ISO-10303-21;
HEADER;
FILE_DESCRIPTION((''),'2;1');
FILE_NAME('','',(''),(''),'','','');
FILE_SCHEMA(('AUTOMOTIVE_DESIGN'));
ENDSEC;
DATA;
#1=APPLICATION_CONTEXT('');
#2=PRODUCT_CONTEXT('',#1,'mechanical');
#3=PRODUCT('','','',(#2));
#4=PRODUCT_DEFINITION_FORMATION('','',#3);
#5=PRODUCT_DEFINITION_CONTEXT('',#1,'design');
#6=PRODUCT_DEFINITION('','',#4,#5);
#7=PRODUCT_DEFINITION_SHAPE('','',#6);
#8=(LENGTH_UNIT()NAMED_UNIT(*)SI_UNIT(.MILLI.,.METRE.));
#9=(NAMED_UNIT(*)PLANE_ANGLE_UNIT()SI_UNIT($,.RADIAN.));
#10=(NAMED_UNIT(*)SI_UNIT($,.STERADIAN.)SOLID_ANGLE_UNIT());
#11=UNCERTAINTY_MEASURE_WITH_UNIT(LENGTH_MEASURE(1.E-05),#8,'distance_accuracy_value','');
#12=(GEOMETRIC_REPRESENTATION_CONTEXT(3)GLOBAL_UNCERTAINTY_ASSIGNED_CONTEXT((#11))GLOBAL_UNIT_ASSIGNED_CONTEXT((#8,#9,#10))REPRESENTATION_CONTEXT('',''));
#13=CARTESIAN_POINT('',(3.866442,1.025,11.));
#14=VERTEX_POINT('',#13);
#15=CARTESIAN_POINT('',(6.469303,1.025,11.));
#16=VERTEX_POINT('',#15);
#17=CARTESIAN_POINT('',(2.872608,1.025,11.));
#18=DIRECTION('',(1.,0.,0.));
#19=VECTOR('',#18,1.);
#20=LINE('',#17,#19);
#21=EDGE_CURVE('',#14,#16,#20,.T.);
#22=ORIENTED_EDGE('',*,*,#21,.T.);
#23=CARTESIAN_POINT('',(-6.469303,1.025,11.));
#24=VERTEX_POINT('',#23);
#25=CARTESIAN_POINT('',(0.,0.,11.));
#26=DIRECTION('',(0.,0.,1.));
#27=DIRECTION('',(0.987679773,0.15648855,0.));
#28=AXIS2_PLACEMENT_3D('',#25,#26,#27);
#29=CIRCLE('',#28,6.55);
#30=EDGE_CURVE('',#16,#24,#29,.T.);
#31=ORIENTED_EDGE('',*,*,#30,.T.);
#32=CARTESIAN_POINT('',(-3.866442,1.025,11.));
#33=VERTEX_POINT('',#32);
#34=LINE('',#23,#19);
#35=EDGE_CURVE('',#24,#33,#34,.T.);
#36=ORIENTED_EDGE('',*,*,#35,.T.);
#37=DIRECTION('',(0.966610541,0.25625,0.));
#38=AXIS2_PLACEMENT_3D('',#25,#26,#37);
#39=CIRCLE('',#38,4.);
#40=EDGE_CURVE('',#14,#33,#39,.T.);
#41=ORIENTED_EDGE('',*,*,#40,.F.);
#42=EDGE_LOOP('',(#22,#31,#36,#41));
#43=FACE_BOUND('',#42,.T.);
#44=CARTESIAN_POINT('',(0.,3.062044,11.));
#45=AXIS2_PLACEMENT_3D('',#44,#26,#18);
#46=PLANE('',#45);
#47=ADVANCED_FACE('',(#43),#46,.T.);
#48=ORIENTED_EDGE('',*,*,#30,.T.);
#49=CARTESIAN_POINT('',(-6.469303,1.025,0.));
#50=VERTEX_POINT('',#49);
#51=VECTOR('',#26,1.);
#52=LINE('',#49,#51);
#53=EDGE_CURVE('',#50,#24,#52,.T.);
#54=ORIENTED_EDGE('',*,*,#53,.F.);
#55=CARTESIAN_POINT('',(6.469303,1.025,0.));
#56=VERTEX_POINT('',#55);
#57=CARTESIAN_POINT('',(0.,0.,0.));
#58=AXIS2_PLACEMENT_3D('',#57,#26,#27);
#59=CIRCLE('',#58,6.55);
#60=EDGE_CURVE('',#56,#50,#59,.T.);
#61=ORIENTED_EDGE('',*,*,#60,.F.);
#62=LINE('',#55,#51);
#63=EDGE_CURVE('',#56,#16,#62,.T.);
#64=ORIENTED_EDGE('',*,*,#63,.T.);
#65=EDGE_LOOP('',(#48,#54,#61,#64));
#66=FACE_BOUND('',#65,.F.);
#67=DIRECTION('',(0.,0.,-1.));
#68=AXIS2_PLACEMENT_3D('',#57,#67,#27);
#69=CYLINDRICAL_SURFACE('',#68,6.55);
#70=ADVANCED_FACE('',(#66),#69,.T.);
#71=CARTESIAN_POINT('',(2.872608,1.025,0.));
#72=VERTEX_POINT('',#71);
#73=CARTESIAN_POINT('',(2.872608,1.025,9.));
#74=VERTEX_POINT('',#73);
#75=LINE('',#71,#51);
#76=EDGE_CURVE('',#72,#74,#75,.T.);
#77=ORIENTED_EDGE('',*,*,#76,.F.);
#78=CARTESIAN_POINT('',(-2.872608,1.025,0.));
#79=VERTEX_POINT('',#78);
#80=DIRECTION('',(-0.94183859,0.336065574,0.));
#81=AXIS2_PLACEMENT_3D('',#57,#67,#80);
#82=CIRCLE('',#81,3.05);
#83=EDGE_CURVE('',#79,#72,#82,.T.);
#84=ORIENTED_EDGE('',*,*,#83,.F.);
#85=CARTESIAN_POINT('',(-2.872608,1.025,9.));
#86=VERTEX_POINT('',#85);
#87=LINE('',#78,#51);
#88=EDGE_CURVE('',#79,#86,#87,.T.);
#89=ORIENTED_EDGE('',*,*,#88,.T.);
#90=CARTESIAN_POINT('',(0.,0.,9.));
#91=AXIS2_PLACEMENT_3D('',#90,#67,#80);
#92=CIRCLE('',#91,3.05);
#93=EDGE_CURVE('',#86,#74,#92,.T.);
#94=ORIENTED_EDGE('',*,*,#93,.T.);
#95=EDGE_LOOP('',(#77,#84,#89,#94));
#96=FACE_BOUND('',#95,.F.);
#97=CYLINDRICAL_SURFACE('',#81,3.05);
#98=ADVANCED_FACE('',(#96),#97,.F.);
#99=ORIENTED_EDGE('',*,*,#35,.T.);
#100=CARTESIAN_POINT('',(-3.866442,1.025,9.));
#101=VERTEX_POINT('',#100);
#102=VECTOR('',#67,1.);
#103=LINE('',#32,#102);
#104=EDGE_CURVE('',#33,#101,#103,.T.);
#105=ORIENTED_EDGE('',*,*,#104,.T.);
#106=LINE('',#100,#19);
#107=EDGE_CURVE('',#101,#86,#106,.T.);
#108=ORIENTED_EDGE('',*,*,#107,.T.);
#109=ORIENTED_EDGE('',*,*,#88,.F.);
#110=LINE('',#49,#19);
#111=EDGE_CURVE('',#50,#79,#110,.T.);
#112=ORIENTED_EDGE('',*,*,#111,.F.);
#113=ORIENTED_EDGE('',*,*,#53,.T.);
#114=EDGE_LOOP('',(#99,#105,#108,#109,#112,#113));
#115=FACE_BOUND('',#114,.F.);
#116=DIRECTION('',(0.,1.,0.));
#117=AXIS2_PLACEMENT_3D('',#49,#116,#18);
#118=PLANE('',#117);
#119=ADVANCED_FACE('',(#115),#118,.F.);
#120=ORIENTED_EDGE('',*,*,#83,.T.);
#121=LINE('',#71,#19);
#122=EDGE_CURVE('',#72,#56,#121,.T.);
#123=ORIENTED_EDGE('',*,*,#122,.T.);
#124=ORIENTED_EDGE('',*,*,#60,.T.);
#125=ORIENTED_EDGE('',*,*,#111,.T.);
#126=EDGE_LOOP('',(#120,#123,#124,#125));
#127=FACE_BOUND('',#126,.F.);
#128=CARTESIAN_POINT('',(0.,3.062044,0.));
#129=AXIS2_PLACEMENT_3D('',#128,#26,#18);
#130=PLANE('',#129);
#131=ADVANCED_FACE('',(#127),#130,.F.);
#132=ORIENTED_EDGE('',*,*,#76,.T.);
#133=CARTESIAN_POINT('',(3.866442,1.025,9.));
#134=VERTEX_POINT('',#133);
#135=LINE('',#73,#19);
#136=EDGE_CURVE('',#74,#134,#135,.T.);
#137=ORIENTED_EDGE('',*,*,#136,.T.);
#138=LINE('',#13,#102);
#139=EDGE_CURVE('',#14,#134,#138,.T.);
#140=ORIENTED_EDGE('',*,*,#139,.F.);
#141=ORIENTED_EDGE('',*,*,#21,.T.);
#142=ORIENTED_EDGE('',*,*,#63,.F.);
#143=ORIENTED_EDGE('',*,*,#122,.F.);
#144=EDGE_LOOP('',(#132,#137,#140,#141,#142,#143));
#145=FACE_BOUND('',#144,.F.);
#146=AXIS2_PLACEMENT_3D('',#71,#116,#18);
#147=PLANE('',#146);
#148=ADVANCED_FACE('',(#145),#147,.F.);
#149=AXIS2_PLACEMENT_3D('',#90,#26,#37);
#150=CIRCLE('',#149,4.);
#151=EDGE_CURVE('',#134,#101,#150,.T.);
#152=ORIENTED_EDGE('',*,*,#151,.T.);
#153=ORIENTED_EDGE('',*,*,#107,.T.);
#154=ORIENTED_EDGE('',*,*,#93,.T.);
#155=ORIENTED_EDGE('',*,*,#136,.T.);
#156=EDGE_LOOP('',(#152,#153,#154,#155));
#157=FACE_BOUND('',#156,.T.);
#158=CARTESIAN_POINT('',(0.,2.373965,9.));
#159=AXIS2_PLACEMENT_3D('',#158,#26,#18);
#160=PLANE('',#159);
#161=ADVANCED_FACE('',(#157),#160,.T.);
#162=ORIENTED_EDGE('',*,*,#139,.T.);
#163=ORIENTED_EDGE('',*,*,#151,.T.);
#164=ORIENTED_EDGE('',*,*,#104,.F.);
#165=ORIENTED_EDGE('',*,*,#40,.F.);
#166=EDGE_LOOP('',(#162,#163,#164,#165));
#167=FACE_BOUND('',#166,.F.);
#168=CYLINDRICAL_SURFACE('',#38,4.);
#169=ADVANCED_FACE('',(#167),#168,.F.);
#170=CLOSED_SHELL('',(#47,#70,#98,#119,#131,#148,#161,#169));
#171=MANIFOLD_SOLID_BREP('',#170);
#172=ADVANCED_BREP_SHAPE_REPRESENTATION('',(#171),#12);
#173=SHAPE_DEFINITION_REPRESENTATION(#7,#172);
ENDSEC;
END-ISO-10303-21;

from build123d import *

# Parameters (mm, degrees)
F1_DEPTH = 11
F3_DEPTH = 2


with BuildPart() as f1:
    # F0 (on Top) → F1 (new body)
    with BuildSketch(Plane.XY):
        with BuildLine():
            ThreePointArc((-2.8726077003, 1.025), (0, 3.05), (2.8726077003, 1.025))
            Line((2.8726077003, 1.025), (6.4693025126, 1.025))
            ThreePointArc((6.4693025126, 1.025), (0, 6.55), (-6.4693025126, 1.025))
            Line((-6.4693025126, 1.025), (-2.8726077003, 1.025))
        make_face()
    extrude(amount=F1_DEPTH)

    # F2 (on face) → F3 (cut, through all)
    with BuildSketch(Plane.XY.offset(11)):
        with BuildLine():
            Line((2.8726077003, 1.025), (3.866442163, 1.025))
            ThreePointArc((3.866442163, 1.025), (0, 4), (-3.866442163, 1.025))
            Line((-3.866442163, 1.025), (-2.8726077003, 1.025))
            ThreePointArc((-2.8726077003, 1.025), (0, 3.05), (2.8726077003, 1.025))
        make_face()
    extrude(amount=-F3_DEPTH, mode=Mode.SUBTRACT)


solid = f1.part
